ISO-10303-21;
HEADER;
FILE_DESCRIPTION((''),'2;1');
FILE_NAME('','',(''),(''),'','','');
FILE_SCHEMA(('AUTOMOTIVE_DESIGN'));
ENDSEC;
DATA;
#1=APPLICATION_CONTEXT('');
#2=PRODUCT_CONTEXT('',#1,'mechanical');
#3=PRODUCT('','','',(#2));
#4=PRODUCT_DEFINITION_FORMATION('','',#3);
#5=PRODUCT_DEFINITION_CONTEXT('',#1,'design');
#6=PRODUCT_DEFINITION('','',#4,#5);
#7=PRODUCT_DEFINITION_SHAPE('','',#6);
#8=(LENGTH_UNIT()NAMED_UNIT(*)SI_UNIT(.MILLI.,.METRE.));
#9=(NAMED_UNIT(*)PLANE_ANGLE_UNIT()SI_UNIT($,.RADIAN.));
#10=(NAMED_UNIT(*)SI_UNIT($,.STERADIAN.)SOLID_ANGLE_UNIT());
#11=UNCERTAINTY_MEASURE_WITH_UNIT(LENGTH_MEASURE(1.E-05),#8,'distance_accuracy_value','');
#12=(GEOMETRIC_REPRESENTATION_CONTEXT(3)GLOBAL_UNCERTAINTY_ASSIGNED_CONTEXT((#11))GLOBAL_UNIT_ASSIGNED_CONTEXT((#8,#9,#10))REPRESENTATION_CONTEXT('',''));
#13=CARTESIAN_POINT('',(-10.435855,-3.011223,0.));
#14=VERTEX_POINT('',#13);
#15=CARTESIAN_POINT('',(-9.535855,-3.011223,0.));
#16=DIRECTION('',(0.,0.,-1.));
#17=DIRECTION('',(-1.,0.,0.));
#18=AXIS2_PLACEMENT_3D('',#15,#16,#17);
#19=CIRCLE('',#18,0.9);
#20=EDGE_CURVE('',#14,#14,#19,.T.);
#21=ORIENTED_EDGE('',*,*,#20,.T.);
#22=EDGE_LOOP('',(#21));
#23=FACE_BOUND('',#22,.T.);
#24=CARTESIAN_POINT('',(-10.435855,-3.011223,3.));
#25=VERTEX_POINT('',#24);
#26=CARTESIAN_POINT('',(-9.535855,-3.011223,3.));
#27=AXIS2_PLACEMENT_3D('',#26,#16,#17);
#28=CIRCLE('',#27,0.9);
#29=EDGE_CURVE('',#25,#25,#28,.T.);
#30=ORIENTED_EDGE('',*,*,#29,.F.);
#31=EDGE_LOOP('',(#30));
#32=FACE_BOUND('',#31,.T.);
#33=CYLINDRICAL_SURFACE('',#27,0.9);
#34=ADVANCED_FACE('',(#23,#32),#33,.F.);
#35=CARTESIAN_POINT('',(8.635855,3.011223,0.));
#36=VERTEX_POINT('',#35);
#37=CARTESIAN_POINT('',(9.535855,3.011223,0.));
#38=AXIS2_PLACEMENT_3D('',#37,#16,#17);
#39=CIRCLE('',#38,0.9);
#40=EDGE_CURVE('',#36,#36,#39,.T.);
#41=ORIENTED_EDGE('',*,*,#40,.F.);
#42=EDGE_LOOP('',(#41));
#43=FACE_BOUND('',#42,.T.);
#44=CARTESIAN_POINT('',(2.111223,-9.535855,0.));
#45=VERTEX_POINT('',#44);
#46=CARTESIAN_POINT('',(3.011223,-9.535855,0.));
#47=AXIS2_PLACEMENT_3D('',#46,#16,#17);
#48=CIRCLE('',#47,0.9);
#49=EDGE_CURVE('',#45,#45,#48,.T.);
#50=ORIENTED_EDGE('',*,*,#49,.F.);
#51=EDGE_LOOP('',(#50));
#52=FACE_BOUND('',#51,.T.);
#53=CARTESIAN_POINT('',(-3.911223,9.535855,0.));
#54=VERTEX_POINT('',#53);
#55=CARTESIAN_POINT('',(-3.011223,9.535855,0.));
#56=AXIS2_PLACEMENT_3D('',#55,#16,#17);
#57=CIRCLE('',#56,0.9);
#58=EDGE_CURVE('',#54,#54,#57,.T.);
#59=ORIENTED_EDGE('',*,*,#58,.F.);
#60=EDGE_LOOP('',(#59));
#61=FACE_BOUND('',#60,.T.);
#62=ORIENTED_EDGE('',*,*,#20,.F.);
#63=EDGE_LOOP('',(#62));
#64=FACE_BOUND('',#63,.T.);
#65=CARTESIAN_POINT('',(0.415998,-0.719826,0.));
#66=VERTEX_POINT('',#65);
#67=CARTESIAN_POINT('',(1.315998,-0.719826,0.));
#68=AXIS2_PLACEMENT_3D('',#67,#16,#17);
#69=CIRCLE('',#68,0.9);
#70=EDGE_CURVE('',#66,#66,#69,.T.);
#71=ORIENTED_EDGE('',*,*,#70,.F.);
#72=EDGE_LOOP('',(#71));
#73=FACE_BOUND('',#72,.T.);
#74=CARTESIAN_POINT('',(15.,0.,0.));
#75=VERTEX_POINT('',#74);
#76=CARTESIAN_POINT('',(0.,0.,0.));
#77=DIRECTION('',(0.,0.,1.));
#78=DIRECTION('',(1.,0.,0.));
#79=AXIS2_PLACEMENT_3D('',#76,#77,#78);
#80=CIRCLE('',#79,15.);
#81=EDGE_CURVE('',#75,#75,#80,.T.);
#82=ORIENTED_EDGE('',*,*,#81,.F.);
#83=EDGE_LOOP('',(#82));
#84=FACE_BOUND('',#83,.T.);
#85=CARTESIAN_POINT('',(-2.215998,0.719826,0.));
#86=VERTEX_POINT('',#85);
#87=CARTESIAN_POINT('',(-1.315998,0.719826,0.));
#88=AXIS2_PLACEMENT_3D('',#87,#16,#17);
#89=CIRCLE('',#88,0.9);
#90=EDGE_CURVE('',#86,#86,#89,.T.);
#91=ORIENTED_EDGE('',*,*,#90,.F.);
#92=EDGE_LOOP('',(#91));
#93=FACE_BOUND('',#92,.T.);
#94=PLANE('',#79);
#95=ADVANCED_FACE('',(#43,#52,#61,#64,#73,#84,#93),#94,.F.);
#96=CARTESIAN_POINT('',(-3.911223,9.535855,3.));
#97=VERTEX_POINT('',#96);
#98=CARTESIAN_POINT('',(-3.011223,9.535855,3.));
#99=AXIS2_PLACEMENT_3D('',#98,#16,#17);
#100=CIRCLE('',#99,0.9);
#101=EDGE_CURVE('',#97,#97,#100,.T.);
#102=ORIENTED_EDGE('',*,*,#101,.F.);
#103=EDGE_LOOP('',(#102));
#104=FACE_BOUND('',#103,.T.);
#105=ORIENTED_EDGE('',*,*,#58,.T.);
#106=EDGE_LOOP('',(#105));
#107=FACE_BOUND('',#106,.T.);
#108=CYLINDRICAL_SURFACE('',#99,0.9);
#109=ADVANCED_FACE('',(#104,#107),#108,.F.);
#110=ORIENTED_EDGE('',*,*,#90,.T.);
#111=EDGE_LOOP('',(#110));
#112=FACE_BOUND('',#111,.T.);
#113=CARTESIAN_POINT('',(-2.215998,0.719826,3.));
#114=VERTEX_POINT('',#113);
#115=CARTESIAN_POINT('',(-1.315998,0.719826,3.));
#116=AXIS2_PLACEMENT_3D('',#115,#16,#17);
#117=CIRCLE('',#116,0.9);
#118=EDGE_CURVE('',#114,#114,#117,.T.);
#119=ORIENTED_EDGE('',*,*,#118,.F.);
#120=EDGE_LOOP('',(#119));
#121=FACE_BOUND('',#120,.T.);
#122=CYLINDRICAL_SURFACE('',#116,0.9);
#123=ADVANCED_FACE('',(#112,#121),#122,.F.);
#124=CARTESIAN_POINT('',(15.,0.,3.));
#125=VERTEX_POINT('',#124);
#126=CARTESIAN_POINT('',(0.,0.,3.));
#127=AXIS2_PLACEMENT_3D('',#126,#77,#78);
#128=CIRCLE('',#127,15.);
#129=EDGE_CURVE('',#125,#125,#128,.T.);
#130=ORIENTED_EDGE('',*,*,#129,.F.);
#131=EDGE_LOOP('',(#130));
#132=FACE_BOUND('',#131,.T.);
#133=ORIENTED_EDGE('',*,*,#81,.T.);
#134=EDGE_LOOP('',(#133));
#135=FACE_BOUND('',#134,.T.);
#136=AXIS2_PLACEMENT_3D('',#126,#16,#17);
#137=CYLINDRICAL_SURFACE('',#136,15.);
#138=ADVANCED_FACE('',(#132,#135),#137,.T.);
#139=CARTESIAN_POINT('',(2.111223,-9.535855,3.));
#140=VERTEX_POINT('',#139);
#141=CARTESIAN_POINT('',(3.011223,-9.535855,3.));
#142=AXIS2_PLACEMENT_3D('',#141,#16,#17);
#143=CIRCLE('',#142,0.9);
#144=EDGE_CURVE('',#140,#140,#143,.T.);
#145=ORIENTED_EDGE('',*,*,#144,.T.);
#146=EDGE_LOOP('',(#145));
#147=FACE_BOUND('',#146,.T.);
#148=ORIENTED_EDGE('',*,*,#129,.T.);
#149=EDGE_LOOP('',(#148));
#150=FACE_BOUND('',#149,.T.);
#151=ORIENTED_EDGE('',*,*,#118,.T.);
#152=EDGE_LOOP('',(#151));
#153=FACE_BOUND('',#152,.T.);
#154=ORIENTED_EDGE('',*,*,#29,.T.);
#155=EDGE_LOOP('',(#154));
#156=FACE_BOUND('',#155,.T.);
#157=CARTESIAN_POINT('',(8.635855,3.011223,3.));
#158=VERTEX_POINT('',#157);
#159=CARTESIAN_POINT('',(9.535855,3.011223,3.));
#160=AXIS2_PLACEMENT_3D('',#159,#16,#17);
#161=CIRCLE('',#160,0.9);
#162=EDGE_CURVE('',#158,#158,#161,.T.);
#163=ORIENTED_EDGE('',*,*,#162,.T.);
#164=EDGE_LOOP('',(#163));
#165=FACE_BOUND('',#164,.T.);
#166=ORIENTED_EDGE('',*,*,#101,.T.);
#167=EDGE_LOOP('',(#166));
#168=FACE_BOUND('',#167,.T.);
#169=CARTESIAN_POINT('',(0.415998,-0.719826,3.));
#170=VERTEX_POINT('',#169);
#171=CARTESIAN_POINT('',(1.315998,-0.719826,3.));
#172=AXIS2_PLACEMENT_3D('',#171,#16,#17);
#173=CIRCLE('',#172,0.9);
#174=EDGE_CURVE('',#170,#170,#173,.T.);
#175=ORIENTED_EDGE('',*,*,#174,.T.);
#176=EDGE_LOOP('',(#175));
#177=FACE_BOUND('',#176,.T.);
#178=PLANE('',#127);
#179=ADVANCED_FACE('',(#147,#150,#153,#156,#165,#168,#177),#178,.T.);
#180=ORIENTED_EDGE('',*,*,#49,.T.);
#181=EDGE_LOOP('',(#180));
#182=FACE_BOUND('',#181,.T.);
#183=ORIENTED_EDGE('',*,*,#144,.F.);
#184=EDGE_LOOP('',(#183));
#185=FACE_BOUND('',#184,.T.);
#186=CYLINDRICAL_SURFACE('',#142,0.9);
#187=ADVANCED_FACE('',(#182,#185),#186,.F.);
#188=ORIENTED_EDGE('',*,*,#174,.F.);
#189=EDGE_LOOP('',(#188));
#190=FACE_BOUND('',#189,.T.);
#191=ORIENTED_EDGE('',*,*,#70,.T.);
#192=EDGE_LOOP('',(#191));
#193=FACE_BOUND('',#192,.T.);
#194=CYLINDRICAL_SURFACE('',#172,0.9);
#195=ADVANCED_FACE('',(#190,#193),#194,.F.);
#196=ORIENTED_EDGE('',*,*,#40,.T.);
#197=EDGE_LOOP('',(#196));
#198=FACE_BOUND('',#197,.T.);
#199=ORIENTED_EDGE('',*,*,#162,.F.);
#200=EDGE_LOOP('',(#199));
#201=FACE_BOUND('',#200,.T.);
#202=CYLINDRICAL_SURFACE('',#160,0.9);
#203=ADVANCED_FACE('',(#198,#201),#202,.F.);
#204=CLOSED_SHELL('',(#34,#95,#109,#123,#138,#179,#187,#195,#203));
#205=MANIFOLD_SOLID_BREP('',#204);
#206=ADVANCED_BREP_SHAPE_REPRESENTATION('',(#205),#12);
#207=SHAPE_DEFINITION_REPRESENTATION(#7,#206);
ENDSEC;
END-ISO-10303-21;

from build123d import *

# Parameters (mm, degrees)
SKETCH1_R           = 15
BOSS_EXTRUDE1_DEPTH = 3
SKETCH2_R           = 0.9
CUT_EXTRUDE1_DEPTH  = 3


with BuildPart() as part:
    # Sketch1 → Boss-Extrude1 (new body)
    with BuildSketch(Plane.XY):
        Circle(SKETCH1_R)
    extrude(amount=BOSS_EXTRUDE1_DEPTH)

    # Sketch2 → Cut-Extrude1 (cut)
    with BuildSketch(Plane(origin=(0, 0, 0), x_dir=(-1, 0, 0), z_dir=(0, 0, -1))):
        with Locations((-1.31599788, -0.719826076)):
            Circle(SKETCH2_R)
        with Locations((1.31599788, 0.719826076)):
            Circle(SKETCH2_R)
        with Locations((-3.011222811, -9.535855346)):
            Circle(SKETCH2_R)
        with Locations((-9.535855346, 3.011222811)):
            Circle(SKETCH2_R)
        with Locations((3.011222811, 9.535855346)):
            Circle(SKETCH2_R)
        with Locations((9.535855346, -3.011222811)):
            Circle(SKETCH2_R)
    extrude(amount=-CUT_EXTRUDE1_DEPTH, mode=Mode.SUBTRACT)


solid = part.part
